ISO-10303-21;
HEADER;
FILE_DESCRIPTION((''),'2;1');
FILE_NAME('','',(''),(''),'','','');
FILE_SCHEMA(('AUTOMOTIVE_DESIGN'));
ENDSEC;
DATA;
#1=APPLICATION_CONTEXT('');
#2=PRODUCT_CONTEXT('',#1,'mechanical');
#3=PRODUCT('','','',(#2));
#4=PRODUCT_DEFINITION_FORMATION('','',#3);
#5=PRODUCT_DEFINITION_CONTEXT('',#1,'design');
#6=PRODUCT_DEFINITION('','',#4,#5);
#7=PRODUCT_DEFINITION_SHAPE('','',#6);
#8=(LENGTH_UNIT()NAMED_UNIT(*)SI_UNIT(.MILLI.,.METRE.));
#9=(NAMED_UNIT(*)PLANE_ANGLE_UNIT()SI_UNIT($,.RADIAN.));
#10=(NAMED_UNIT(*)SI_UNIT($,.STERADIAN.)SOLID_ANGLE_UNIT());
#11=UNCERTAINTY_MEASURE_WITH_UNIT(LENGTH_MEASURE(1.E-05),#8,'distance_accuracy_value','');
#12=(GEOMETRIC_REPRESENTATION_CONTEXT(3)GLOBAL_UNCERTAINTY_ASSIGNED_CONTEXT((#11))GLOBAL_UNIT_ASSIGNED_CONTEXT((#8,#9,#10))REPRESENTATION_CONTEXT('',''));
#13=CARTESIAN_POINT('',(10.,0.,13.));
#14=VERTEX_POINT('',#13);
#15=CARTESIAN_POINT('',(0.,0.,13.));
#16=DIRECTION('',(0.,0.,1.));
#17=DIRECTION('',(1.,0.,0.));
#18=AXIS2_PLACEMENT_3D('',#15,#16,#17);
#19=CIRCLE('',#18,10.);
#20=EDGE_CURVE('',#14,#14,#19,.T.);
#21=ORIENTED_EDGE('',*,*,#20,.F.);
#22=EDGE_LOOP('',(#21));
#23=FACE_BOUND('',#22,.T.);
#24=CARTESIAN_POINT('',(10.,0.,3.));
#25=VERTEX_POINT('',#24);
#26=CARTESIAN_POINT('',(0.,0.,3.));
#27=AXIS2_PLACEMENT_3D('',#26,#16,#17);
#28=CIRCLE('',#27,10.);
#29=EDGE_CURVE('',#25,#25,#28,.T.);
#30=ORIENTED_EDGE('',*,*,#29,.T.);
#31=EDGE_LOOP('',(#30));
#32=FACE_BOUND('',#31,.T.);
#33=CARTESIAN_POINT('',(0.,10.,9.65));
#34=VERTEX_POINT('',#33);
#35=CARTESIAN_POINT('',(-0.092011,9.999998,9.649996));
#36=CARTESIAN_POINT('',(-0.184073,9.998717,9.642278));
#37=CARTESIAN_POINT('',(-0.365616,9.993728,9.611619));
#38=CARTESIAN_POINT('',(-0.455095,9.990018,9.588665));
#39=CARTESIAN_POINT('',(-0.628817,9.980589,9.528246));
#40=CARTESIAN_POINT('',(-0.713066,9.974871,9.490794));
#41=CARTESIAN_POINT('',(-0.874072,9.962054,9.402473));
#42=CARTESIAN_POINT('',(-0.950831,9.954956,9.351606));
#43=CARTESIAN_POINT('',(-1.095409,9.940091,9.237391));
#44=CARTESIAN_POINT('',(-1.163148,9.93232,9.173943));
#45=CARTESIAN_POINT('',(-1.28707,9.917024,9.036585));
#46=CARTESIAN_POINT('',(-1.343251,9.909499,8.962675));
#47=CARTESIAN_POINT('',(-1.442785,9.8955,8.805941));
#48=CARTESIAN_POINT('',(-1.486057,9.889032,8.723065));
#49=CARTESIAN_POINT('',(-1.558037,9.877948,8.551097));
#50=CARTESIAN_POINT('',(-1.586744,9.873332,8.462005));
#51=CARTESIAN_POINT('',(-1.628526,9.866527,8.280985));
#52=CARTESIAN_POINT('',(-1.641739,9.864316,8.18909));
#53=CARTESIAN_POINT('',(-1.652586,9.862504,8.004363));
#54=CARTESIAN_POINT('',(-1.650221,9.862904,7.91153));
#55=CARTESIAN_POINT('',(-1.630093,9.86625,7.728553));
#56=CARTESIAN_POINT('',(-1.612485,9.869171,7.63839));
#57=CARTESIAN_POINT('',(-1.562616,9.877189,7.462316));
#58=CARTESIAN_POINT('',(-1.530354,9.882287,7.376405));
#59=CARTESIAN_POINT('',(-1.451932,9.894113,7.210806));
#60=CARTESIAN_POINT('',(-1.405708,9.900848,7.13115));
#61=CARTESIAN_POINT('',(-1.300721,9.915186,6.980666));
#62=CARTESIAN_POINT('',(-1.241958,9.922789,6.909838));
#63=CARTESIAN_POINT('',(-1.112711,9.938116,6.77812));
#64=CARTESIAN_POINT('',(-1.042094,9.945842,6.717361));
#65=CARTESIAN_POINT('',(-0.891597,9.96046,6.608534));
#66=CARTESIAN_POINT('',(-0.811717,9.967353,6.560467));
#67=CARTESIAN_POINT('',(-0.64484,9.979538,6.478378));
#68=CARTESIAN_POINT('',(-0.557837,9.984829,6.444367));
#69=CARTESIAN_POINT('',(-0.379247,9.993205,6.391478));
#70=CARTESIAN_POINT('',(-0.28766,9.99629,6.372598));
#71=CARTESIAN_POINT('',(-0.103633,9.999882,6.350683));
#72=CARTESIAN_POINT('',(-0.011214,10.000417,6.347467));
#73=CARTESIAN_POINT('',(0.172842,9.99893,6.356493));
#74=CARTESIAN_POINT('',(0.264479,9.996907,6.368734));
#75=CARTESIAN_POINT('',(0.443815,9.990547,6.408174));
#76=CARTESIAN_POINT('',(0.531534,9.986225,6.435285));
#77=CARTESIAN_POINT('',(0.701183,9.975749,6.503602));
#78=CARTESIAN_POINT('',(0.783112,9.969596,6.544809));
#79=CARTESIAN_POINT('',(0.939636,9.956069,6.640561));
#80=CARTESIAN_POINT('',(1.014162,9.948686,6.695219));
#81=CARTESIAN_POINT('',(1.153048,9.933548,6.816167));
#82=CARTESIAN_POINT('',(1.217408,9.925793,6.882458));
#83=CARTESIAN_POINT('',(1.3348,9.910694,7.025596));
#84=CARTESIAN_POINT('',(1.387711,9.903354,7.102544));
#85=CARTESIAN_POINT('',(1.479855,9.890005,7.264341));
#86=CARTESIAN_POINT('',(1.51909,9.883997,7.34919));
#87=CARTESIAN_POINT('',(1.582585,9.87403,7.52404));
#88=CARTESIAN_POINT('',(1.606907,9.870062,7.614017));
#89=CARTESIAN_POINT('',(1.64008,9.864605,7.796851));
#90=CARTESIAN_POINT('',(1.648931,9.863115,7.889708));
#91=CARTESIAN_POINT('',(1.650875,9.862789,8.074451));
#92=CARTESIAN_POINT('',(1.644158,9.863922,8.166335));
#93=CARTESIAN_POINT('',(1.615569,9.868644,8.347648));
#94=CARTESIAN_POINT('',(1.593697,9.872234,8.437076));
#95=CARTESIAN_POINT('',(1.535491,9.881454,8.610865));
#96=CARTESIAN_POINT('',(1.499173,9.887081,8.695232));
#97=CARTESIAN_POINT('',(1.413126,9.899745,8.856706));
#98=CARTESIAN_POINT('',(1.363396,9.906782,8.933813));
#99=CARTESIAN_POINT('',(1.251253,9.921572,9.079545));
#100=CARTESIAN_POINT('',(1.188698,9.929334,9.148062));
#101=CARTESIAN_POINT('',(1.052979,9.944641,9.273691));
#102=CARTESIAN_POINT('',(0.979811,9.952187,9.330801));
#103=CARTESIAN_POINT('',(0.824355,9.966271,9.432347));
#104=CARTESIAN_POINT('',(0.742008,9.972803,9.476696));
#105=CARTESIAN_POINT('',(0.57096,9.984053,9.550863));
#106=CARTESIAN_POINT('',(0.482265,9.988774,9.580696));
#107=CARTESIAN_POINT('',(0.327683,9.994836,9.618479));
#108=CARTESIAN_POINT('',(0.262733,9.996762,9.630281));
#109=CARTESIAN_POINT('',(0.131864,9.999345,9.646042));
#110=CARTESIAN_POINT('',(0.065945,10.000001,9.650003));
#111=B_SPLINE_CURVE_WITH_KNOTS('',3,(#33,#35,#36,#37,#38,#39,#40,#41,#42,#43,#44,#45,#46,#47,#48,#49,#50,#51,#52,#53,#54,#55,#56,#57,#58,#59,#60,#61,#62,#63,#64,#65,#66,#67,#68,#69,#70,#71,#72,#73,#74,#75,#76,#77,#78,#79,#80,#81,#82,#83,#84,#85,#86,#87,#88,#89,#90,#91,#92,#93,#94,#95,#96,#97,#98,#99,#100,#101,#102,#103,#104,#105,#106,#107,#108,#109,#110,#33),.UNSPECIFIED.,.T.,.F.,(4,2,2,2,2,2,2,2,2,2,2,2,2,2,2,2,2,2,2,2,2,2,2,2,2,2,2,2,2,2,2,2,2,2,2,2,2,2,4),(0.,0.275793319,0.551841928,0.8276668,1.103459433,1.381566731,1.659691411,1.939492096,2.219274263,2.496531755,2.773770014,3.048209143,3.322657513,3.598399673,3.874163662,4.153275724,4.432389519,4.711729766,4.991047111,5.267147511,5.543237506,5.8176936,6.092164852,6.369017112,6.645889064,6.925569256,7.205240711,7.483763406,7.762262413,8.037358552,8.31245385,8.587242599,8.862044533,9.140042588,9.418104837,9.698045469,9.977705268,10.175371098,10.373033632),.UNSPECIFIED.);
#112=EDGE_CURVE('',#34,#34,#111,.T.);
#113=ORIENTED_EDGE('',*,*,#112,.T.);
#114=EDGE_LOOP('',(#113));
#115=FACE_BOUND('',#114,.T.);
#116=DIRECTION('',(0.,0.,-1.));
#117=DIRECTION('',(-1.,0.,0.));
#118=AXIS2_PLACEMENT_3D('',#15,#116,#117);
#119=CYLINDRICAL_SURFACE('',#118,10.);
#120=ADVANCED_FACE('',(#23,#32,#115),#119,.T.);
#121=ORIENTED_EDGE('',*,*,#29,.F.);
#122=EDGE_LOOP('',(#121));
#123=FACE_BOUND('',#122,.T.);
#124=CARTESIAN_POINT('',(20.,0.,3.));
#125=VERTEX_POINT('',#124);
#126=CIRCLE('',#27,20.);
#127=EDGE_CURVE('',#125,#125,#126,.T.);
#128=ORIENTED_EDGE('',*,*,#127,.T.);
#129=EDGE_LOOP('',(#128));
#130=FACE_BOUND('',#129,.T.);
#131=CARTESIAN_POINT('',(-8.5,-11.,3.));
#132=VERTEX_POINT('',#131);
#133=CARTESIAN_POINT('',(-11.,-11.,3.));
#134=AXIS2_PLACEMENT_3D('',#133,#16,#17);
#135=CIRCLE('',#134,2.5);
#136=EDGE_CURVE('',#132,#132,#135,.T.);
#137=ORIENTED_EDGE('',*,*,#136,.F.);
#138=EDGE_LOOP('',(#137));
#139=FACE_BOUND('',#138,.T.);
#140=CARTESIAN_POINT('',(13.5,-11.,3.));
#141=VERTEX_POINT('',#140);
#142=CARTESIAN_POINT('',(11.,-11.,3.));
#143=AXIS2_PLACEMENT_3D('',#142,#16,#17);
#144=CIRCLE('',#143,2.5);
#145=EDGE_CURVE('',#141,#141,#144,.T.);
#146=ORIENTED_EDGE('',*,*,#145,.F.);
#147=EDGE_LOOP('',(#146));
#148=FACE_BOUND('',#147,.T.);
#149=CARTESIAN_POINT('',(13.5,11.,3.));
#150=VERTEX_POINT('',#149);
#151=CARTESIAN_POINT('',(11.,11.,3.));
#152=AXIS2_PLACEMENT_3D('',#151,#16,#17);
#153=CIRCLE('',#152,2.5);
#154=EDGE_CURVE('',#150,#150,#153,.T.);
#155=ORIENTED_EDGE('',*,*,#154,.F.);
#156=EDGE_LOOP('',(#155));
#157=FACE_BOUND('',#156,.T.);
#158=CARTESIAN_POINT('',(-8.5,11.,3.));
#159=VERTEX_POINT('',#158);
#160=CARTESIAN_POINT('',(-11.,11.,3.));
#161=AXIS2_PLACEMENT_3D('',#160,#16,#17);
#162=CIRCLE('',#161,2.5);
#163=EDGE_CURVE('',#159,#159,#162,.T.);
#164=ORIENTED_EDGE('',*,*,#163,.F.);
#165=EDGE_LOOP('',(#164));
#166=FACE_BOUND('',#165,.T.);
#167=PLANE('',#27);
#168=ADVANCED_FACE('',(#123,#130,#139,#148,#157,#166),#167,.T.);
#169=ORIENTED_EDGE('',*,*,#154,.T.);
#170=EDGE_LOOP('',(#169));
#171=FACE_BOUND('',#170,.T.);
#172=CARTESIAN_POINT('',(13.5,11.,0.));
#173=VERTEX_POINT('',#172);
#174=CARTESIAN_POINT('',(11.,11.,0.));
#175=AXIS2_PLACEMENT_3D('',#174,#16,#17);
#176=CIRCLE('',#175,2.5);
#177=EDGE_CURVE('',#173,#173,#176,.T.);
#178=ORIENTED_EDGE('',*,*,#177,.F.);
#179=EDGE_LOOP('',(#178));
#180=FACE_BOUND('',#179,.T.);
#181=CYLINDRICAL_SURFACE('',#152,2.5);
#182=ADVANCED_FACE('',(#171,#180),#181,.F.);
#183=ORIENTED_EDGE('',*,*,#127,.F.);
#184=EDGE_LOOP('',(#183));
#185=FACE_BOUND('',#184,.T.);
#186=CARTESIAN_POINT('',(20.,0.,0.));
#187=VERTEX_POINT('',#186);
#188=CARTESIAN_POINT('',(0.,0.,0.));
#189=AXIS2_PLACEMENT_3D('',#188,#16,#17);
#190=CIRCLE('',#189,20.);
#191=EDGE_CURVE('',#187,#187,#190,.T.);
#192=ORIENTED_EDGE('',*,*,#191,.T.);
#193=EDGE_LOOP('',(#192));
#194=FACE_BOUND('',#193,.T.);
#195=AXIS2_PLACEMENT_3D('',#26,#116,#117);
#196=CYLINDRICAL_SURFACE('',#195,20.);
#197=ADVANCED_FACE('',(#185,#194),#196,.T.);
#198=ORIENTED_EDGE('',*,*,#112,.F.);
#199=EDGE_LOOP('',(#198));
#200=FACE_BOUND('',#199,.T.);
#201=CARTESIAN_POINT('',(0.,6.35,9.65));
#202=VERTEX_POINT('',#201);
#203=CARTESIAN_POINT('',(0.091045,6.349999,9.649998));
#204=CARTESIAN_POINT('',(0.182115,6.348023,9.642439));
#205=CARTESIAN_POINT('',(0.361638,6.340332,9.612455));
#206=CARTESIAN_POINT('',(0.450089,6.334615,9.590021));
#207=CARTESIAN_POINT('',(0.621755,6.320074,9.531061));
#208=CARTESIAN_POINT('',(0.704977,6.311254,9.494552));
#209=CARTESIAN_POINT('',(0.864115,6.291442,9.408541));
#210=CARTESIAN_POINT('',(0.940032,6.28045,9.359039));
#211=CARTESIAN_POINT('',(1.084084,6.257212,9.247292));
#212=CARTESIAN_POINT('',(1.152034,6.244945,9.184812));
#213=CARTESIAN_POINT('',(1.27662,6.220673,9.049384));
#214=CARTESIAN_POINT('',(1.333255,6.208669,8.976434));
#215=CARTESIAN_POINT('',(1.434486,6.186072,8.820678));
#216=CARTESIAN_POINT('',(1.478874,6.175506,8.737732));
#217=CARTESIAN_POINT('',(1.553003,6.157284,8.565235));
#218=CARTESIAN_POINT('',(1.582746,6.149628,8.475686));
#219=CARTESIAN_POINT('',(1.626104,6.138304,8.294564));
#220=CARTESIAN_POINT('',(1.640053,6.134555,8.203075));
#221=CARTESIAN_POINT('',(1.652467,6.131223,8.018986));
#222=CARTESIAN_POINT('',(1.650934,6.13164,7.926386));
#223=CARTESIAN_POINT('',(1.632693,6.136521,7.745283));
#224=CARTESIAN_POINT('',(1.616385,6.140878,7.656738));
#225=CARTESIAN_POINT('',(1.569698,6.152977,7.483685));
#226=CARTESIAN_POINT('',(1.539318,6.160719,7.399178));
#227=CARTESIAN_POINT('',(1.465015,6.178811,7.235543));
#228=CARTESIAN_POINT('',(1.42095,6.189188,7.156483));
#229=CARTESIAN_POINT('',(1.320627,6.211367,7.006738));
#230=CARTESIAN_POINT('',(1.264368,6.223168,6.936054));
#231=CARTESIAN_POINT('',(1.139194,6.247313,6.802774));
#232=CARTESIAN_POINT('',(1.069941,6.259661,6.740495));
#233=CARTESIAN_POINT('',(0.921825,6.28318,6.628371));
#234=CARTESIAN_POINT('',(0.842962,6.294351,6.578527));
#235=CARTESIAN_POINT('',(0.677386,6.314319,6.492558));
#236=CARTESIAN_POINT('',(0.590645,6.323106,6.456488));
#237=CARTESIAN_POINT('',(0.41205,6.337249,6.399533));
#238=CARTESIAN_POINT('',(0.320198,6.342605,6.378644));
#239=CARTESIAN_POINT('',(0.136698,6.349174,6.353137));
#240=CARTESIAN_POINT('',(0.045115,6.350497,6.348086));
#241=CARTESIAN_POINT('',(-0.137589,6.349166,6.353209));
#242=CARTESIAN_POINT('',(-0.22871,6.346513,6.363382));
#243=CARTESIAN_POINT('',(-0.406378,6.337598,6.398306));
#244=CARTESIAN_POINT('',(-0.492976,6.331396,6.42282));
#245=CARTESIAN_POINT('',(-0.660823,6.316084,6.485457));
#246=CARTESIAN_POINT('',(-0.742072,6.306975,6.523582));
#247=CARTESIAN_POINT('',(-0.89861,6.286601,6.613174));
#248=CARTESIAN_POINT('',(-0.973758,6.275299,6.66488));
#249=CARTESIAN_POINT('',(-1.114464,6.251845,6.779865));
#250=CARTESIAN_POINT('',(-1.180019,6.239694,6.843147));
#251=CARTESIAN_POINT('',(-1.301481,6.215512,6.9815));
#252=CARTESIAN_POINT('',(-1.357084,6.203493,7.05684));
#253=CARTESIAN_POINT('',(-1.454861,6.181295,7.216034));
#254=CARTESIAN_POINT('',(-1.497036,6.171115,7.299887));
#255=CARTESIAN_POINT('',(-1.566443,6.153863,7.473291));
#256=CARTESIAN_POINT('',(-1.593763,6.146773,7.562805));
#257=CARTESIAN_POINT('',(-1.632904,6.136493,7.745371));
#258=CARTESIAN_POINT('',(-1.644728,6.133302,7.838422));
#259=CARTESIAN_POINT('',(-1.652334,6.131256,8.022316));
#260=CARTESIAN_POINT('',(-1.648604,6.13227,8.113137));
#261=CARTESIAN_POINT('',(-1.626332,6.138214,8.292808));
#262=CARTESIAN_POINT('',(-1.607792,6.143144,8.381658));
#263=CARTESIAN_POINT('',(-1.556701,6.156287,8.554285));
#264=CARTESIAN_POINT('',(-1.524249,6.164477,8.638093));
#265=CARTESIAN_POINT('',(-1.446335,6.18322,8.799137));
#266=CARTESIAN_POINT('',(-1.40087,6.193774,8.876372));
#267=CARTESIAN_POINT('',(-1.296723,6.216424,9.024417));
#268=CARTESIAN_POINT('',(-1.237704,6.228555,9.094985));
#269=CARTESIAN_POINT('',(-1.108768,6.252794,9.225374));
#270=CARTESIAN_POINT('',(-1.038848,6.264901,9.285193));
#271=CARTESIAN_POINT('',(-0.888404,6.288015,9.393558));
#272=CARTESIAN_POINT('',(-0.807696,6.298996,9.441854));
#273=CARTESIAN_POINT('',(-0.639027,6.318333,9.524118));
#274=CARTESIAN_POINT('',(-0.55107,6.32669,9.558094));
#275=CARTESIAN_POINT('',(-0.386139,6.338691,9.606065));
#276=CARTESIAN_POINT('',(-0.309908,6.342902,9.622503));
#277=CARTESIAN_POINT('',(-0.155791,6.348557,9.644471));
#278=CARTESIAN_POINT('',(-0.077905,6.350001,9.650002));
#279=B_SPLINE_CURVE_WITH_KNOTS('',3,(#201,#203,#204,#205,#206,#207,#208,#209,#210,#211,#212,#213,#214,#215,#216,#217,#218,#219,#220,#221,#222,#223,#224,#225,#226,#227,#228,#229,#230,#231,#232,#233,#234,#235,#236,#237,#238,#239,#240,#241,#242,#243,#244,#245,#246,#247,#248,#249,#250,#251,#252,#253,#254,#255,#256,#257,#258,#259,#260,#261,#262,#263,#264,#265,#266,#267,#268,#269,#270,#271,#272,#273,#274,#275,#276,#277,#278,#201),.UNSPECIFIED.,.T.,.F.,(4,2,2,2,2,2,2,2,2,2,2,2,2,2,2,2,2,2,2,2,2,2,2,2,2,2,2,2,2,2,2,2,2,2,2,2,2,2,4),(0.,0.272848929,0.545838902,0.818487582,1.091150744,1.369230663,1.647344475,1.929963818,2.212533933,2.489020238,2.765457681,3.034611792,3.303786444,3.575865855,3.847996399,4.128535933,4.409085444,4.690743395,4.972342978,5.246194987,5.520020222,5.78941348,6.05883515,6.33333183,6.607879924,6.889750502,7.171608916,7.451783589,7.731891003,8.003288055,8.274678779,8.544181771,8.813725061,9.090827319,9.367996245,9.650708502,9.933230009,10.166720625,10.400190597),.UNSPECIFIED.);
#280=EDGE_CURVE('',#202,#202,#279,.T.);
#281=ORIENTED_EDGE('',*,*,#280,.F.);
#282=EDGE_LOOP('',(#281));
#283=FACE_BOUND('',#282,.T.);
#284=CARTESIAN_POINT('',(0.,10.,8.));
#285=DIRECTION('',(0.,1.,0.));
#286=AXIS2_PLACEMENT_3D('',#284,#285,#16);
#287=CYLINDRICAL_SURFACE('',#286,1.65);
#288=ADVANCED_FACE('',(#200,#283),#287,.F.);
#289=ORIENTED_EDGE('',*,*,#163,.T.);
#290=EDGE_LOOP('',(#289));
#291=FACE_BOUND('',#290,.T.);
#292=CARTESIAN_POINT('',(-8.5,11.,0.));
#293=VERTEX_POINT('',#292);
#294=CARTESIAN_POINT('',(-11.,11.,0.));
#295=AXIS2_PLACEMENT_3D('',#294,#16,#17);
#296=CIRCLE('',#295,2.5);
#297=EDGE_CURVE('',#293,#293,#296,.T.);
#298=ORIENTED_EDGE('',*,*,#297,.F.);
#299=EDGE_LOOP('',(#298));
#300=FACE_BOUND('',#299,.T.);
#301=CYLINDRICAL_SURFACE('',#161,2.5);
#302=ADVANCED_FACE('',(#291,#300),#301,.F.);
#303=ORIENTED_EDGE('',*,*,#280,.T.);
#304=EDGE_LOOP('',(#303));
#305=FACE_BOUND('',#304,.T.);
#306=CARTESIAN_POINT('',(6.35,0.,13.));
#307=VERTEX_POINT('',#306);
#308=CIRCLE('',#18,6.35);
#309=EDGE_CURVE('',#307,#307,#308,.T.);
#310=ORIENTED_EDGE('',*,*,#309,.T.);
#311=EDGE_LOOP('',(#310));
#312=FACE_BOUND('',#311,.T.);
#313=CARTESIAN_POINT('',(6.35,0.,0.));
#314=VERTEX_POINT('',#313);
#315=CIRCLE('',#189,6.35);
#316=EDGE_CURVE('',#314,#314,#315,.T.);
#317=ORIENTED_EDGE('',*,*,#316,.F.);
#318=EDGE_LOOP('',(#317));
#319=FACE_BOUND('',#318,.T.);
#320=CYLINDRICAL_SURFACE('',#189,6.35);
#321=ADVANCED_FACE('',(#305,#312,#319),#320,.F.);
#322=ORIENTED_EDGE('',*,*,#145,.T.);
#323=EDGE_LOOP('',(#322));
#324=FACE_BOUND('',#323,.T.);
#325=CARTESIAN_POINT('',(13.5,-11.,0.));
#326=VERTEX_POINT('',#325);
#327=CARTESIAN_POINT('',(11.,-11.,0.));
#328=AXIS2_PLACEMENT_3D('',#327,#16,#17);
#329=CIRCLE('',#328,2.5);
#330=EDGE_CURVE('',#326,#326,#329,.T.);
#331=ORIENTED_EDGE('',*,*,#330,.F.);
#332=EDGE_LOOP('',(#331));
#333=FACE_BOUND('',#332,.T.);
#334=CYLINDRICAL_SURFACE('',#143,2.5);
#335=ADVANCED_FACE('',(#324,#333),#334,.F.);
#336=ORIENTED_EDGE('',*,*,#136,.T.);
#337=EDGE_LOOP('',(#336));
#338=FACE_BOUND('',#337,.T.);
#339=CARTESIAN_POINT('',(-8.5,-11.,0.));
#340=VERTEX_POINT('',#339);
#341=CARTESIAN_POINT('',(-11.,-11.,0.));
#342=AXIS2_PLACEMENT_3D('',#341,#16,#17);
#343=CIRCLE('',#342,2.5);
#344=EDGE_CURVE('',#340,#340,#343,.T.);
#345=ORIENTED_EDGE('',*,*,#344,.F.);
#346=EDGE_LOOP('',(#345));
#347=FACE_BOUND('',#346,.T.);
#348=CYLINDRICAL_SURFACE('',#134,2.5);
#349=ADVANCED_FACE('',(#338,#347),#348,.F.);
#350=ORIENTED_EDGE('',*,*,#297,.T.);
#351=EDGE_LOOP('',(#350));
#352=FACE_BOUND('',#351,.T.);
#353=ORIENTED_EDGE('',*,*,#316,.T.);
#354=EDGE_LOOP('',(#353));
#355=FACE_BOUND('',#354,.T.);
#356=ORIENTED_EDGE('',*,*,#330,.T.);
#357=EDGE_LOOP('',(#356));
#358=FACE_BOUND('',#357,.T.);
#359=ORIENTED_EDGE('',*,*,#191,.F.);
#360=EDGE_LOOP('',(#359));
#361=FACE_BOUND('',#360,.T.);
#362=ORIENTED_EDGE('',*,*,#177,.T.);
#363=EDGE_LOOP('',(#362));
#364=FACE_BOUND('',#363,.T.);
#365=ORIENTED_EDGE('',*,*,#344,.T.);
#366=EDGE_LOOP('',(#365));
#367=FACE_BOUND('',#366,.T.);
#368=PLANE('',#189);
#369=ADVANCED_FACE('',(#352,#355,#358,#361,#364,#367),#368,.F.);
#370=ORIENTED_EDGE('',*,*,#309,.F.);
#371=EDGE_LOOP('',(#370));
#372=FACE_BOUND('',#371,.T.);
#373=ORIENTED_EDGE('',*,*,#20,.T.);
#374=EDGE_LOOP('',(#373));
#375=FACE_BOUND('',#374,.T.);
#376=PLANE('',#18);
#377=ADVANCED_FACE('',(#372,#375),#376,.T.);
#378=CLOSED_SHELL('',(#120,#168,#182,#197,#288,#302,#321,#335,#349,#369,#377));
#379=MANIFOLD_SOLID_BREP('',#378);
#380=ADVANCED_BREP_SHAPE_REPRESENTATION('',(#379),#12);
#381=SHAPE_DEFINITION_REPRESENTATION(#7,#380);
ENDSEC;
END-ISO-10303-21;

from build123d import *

# Parameters (mm, degrees)
SKETCH1_R                = 20
BOSS_EXTRUDE1_DEPTH      = 3
SKETCH2_R                = 10
BOSS_EXTRUDE2_DEPTH      = 10
SKETCH4_R                = 6.35
CUT_EXTRUDE1_DEPTH       = 32.128764833
M4_TAPPED_HOLE1_REACH    = 38.932
M4_TAPPED_HOLE1_BORE_R   = 1.65
F_5_0_5_DIAMETER_HOLE1_D = 5
CIRPATTERN1_COUNT        = 4


with BuildPart() as part:
    # Sketch1 → Boss-Extrude1 (new body)
    with BuildSketch(Plane.XY):
        Circle(SKETCH1_R)
    extrude(amount=BOSS_EXTRUDE1_DEPTH)

    # Sketch2 → Boss-Extrude2 (add)
    with BuildSketch(Plane.XY.offset(3)):
        Circle(SKETCH2_R)
    extrude(amount=BOSS_EXTRUDE2_DEPTH)

    # Sketch4 → Cut-Extrude1 (cut, through all)
    with BuildSketch(Plane.XY.offset(13)):
        Circle(SKETCH4_R)
    extrude(amount=-CUT_EXTRUDE1_DEPTH, mode=Mode.SUBTRACT)

    # M4 Tapped Hole1 bore (on position points) → M4 Tapped Hole1 (cut, up to next)
    with BuildSketch(Plane(origin=(0, 10, 8), x_dir=(1, 0, 0), z_dir=(0, 1, 0)), mode=Mode.PRIVATE) as m4_tapped_hole1_sk1:
        Circle(M4_TAPPED_HOLE1_BORE_R)
    m4_tapped_hole1_tool1 = extrude(m4_tapped_hole1_sk1.sketch, amount=-M4_TAPPED_HOLE1_REACH, mode=Mode.PRIVATE) & part.part
    add(m4_tapped_hole1_tool1.solids().sort_by_distance((0, 10, 8))[0], mode=Mode.SUBTRACT)

    # Ø5.0 (5) Diameter Hole1 (through all)
    with Locations(Plane(origin=(11, 11, 3), x_dir=(1, 0, 0), z_dir=(0, 0, 1))):
        with Locations((0, 0)):
            f_5_0_5_diameter_hole1 = Hole(F_5_0_5_DIAMETER_HOLE1_D / 2)

    # CirPattern1: Ø5.0 (5) Diameter Hole1 ×4 about axis
    cirpattern1_axis = Axis((0, 0, 0), (0, 0, 1))
    for i in range(1, CIRPATTERN1_COUNT):
        add(f_5_0_5_diameter_hole1.rotate(cirpattern1_axis, i * 360 / CIRPATTERN1_COUNT), mode=Mode.SUBTRACT)


solid = part.part
